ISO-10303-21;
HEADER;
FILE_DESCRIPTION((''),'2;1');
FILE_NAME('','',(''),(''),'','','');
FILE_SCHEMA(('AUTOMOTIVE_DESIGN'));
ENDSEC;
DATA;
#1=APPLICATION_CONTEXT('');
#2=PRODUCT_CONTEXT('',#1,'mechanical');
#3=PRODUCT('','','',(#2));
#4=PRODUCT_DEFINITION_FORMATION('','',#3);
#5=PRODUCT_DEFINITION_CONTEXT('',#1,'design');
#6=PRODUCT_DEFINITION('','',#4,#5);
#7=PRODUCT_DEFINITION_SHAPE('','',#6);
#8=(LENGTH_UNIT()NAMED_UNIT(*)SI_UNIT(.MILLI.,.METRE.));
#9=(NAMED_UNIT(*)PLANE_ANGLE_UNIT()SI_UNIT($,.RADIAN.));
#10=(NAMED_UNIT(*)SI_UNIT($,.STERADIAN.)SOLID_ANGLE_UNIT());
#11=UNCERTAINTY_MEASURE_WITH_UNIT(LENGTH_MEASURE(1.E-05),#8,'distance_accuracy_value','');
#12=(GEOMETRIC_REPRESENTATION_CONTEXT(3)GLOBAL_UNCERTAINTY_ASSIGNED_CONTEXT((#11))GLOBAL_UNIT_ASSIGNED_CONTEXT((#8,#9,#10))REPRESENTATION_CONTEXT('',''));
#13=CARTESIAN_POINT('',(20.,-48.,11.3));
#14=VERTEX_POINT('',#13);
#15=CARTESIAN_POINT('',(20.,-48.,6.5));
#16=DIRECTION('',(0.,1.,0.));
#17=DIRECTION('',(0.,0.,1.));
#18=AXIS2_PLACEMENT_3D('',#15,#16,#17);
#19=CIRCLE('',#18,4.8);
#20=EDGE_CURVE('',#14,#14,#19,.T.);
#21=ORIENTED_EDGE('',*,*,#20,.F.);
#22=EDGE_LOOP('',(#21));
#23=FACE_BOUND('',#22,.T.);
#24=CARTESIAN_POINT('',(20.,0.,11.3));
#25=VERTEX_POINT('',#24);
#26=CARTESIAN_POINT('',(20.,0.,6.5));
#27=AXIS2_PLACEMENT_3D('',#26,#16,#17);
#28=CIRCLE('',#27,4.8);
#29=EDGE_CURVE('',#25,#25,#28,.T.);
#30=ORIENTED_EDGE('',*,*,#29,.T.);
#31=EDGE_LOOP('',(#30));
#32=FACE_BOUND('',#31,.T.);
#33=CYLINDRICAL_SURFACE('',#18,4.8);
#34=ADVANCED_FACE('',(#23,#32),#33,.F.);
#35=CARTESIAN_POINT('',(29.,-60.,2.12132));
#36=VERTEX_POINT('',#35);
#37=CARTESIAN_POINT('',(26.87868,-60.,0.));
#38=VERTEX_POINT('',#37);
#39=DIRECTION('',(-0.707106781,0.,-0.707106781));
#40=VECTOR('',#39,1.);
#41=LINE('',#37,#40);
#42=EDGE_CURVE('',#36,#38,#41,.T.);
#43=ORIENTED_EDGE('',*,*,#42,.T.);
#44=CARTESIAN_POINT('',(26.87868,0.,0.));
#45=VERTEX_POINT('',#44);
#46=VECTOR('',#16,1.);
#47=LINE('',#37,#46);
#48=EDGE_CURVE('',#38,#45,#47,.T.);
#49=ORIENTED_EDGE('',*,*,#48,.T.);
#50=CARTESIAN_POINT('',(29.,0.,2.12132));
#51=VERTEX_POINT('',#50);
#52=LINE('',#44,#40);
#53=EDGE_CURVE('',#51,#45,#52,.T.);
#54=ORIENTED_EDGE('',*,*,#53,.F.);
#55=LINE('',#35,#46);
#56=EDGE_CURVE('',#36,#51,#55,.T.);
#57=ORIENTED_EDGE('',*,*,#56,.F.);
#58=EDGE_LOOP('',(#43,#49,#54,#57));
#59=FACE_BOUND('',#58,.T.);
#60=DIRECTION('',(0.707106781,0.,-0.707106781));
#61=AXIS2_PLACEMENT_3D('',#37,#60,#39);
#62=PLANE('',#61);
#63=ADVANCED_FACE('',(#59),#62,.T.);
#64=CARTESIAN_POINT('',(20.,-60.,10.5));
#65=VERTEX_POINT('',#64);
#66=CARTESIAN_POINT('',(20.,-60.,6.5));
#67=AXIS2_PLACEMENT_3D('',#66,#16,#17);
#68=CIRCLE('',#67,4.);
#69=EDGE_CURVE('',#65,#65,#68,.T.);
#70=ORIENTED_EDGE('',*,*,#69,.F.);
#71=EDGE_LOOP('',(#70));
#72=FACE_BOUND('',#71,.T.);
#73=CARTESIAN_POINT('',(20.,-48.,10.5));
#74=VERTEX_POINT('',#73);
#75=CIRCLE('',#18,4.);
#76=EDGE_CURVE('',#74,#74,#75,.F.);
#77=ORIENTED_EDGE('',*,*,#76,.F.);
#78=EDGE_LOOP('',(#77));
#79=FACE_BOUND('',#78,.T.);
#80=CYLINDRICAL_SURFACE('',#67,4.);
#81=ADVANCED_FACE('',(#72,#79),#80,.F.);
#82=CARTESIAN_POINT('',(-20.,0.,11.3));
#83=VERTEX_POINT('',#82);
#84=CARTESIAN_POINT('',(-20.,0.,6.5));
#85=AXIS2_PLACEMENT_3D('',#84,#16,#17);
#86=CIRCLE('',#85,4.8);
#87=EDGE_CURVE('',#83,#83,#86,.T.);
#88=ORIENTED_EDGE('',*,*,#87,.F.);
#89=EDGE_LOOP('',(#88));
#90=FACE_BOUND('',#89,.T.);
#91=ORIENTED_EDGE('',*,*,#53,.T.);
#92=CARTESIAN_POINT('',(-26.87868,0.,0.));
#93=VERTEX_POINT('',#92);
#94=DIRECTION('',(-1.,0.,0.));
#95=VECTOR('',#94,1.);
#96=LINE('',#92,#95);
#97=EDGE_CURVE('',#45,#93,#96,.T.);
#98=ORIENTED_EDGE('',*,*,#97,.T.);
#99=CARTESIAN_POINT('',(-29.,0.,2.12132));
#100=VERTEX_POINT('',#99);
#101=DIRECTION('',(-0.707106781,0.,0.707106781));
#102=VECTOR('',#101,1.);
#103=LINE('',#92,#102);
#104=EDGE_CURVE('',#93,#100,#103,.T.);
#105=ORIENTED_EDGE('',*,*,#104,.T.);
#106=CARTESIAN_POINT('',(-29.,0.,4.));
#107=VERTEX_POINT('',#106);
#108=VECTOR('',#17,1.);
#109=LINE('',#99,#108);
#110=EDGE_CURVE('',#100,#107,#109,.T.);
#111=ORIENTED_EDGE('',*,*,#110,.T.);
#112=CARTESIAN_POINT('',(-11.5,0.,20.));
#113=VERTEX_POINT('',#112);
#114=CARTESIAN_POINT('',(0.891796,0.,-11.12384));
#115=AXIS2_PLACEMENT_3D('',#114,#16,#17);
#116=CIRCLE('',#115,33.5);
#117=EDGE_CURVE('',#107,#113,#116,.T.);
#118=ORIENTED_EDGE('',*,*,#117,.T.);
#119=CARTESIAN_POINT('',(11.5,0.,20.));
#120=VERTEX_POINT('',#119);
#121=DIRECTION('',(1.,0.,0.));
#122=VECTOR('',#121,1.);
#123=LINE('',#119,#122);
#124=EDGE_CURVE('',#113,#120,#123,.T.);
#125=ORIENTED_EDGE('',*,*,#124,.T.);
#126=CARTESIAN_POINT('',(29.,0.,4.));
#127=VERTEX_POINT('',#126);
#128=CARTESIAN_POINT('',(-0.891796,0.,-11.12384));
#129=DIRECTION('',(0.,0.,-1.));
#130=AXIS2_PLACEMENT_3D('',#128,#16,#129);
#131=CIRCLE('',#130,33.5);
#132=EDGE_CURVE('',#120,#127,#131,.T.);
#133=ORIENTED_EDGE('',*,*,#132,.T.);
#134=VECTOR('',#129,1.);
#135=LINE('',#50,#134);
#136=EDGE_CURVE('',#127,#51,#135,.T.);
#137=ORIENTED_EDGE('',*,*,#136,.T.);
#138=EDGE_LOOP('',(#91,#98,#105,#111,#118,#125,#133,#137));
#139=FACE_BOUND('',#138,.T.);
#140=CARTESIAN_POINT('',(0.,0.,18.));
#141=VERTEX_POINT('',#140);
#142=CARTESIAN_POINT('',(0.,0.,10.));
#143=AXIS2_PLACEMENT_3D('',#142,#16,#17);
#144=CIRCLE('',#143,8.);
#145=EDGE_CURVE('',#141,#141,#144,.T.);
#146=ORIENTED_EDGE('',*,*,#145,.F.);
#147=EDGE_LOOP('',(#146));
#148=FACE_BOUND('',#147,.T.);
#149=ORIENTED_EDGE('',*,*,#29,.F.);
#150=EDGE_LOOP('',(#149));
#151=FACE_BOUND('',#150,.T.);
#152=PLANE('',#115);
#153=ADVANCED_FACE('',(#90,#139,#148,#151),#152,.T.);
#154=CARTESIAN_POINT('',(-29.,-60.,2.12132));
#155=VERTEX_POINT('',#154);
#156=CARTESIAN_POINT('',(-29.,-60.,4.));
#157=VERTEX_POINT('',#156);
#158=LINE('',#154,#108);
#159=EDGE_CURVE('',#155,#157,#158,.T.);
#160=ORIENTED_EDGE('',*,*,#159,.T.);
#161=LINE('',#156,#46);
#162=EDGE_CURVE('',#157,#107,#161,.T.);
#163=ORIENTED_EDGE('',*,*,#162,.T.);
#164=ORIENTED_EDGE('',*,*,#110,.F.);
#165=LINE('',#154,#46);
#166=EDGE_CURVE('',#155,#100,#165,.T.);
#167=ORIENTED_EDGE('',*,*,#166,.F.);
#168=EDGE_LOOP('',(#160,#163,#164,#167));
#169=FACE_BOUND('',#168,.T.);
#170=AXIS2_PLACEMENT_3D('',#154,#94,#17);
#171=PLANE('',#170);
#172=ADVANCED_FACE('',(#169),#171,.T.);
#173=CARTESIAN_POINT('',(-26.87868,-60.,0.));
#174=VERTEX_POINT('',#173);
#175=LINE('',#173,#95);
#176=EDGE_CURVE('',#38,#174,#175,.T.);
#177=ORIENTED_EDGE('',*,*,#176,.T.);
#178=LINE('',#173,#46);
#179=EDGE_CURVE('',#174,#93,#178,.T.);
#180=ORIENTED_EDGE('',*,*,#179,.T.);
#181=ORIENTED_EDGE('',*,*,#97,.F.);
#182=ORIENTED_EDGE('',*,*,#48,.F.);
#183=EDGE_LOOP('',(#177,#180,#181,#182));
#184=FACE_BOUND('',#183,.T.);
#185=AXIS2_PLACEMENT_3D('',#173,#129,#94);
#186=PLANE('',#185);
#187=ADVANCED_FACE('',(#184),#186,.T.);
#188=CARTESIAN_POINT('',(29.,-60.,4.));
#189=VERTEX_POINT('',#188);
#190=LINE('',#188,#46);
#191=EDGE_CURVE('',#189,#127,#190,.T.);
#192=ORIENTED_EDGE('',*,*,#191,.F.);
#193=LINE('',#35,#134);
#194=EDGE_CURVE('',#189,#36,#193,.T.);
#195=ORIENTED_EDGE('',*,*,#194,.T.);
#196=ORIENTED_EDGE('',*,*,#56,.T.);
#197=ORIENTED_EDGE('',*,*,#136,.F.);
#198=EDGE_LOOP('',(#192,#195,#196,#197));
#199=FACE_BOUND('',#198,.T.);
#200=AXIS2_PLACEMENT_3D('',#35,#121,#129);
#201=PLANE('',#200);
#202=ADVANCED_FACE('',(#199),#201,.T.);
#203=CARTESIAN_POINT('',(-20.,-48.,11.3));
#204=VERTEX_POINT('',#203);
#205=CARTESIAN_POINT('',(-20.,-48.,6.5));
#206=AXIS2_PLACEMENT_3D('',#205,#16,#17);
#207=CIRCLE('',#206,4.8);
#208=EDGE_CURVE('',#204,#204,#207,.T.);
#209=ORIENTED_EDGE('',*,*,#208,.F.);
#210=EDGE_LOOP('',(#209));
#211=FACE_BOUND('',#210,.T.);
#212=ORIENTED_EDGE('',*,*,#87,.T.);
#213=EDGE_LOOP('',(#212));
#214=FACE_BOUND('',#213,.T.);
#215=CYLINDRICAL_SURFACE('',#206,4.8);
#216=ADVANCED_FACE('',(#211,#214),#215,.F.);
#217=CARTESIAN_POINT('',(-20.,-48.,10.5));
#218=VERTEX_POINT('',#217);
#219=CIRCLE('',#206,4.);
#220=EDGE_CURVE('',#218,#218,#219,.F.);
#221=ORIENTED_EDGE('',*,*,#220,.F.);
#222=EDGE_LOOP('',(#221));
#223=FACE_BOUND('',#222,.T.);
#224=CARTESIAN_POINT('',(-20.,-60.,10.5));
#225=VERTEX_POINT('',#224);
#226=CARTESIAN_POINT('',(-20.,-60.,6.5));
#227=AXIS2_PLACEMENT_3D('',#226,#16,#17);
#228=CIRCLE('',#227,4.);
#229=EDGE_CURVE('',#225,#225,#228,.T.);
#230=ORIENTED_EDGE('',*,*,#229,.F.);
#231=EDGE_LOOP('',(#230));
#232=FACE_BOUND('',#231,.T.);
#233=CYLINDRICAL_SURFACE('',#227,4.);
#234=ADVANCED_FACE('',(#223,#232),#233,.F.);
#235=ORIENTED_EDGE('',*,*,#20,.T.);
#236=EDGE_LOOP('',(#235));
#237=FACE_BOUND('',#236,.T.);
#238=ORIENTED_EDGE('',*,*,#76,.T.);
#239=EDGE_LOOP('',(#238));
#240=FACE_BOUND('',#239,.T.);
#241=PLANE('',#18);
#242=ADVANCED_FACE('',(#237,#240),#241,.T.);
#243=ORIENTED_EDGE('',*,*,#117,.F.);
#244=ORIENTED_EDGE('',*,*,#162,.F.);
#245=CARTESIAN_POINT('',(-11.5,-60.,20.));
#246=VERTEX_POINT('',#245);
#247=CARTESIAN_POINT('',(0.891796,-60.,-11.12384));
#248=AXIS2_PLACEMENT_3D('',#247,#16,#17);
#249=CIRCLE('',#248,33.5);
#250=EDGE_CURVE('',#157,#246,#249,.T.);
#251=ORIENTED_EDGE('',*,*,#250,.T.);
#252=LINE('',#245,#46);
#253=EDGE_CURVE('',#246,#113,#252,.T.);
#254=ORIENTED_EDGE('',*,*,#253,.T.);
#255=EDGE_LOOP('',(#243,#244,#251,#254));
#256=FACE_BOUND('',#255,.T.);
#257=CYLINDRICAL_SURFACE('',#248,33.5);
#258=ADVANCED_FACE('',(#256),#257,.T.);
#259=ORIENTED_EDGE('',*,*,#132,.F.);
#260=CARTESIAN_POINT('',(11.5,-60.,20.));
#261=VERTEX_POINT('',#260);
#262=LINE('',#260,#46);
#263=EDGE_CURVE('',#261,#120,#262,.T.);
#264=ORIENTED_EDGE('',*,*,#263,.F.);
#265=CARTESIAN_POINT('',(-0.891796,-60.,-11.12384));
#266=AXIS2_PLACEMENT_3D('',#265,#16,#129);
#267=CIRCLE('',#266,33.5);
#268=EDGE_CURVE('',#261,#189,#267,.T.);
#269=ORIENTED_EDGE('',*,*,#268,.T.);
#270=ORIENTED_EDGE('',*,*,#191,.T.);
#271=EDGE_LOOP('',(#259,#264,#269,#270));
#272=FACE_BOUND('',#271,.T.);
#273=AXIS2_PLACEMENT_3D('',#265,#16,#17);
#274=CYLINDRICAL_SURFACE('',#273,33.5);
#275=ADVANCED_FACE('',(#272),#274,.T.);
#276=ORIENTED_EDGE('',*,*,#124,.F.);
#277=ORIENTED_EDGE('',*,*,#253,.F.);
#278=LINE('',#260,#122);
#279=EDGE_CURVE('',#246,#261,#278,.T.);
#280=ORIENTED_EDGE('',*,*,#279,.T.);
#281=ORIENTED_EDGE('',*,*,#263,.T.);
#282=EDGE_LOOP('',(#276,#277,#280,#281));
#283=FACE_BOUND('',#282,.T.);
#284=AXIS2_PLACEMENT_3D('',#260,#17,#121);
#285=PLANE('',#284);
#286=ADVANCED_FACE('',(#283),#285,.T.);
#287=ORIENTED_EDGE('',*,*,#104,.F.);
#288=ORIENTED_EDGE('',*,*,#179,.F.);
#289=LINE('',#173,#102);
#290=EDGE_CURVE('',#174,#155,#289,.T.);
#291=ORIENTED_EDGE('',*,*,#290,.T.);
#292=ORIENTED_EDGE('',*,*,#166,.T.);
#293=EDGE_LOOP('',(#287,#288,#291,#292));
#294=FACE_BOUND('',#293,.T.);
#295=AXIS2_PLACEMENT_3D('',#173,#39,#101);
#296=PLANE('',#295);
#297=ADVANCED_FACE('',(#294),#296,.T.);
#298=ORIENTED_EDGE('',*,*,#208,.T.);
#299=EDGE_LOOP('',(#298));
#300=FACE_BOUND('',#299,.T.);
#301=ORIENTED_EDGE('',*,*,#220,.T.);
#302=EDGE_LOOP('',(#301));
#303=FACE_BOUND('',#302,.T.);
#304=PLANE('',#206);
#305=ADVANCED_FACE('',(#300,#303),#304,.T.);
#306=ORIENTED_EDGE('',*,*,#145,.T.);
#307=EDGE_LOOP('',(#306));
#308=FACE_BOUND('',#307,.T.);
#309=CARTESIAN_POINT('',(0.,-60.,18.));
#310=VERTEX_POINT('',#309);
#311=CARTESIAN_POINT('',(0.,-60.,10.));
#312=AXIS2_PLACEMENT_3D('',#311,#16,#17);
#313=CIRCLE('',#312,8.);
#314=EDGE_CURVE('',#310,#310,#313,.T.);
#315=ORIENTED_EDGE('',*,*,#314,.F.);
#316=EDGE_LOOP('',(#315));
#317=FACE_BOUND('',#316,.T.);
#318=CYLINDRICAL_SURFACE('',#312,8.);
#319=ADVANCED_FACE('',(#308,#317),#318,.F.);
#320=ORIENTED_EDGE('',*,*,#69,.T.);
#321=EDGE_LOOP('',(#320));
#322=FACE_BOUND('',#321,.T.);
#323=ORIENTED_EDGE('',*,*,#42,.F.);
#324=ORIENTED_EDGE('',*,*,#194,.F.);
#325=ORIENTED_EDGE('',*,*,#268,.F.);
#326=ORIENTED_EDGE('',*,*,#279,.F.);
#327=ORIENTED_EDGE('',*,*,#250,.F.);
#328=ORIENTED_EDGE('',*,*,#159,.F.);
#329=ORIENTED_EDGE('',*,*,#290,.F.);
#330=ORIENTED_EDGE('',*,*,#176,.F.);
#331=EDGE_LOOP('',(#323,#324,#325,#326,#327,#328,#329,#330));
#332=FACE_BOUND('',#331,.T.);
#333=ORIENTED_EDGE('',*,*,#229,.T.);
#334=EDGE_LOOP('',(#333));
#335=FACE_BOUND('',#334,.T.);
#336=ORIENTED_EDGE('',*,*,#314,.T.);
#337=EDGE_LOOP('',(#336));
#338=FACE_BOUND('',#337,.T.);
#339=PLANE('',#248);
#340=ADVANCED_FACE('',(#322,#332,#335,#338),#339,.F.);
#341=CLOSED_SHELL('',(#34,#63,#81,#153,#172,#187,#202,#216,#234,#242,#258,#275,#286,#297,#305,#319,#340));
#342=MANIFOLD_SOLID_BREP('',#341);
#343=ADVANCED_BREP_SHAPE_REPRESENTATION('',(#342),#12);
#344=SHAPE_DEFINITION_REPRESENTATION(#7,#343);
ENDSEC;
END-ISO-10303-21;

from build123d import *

# Parameters (mm, degrees)
BOSS_EXTRUDE1_DEPTH = 60
SKETCH2_R           = 4
SKETCH2_R_2         = 8
CUT_EXTRUDE1_DEPTH  = 70.577295147
SKETCH3_R           = 4.8
CUT_EXTRUDE2_DEPTH  = 48


with BuildPart() as part:
    # Sketch1 → Boss-Extrude1 (new body)
    with BuildSketch(Plane(origin=(0, 0, 0), x_dir=(1, 0, 0), z_dir=(0, 1, 0))):
        with BuildLine():
            Line((-26.878679656, 0), (26.878679656, 0))
            Line((26.878679656, 0), (29, -2.121320344))
            Line((29, -2.121320344), (29, -4))
            ThreePointArc((29, -4), (21.712972029, -13.600125657), (11.5, -20))
            Line((11.5, -20), (-11.5, -20))
            ThreePointArc((-11.5, -20), (-21.712972029, -13.600125657), (-29, -4))
            Line((-29, -4), (-29, -2.121320344))
            Line((-29, -2.121320344), (-26.878679656, 0))
        make_face()
    extrude(amount=-BOSS_EXTRUDE1_DEPTH)

    # Sketch2 → Cut-Extrude1 (cut, through all)
    with BuildSketch(Plane(origin=(0, 0, 0), x_dir=(1, 0, 0), z_dir=(0, 1, 0))):
        with Locations(Location((-20, -6.5, 0), (0, 0, 270))):
            Circle(SKETCH2_R)
        with Locations(Location((0, -10, 0), (0, 0, 270))):
            Circle(SKETCH2_R_2)
        with Locations(Location((20, -6.5, 0), (0, 0, 270))):
            Circle(SKETCH2_R)
    extrude(amount=-CUT_EXTRUDE1_DEPTH, mode=Mode.SUBTRACT)

    # Sketch3 → Cut-Extrude2 (cut)
    with BuildSketch(Plane(origin=(0, 0, 0), x_dir=(1, 0, 0), z_dir=(0, 1, 0))):
        with Locations(Location((-20, -6.5, 0), (0, 0, 270))):
            Circle(SKETCH3_R)
        with Locations(Location((20, -6.5, 0), (0, 0, 270))):
            Circle(SKETCH3_R)
    extrude(amount=-CUT_EXTRUDE2_DEPTH, mode=Mode.SUBTRACT)


solid = part.part
